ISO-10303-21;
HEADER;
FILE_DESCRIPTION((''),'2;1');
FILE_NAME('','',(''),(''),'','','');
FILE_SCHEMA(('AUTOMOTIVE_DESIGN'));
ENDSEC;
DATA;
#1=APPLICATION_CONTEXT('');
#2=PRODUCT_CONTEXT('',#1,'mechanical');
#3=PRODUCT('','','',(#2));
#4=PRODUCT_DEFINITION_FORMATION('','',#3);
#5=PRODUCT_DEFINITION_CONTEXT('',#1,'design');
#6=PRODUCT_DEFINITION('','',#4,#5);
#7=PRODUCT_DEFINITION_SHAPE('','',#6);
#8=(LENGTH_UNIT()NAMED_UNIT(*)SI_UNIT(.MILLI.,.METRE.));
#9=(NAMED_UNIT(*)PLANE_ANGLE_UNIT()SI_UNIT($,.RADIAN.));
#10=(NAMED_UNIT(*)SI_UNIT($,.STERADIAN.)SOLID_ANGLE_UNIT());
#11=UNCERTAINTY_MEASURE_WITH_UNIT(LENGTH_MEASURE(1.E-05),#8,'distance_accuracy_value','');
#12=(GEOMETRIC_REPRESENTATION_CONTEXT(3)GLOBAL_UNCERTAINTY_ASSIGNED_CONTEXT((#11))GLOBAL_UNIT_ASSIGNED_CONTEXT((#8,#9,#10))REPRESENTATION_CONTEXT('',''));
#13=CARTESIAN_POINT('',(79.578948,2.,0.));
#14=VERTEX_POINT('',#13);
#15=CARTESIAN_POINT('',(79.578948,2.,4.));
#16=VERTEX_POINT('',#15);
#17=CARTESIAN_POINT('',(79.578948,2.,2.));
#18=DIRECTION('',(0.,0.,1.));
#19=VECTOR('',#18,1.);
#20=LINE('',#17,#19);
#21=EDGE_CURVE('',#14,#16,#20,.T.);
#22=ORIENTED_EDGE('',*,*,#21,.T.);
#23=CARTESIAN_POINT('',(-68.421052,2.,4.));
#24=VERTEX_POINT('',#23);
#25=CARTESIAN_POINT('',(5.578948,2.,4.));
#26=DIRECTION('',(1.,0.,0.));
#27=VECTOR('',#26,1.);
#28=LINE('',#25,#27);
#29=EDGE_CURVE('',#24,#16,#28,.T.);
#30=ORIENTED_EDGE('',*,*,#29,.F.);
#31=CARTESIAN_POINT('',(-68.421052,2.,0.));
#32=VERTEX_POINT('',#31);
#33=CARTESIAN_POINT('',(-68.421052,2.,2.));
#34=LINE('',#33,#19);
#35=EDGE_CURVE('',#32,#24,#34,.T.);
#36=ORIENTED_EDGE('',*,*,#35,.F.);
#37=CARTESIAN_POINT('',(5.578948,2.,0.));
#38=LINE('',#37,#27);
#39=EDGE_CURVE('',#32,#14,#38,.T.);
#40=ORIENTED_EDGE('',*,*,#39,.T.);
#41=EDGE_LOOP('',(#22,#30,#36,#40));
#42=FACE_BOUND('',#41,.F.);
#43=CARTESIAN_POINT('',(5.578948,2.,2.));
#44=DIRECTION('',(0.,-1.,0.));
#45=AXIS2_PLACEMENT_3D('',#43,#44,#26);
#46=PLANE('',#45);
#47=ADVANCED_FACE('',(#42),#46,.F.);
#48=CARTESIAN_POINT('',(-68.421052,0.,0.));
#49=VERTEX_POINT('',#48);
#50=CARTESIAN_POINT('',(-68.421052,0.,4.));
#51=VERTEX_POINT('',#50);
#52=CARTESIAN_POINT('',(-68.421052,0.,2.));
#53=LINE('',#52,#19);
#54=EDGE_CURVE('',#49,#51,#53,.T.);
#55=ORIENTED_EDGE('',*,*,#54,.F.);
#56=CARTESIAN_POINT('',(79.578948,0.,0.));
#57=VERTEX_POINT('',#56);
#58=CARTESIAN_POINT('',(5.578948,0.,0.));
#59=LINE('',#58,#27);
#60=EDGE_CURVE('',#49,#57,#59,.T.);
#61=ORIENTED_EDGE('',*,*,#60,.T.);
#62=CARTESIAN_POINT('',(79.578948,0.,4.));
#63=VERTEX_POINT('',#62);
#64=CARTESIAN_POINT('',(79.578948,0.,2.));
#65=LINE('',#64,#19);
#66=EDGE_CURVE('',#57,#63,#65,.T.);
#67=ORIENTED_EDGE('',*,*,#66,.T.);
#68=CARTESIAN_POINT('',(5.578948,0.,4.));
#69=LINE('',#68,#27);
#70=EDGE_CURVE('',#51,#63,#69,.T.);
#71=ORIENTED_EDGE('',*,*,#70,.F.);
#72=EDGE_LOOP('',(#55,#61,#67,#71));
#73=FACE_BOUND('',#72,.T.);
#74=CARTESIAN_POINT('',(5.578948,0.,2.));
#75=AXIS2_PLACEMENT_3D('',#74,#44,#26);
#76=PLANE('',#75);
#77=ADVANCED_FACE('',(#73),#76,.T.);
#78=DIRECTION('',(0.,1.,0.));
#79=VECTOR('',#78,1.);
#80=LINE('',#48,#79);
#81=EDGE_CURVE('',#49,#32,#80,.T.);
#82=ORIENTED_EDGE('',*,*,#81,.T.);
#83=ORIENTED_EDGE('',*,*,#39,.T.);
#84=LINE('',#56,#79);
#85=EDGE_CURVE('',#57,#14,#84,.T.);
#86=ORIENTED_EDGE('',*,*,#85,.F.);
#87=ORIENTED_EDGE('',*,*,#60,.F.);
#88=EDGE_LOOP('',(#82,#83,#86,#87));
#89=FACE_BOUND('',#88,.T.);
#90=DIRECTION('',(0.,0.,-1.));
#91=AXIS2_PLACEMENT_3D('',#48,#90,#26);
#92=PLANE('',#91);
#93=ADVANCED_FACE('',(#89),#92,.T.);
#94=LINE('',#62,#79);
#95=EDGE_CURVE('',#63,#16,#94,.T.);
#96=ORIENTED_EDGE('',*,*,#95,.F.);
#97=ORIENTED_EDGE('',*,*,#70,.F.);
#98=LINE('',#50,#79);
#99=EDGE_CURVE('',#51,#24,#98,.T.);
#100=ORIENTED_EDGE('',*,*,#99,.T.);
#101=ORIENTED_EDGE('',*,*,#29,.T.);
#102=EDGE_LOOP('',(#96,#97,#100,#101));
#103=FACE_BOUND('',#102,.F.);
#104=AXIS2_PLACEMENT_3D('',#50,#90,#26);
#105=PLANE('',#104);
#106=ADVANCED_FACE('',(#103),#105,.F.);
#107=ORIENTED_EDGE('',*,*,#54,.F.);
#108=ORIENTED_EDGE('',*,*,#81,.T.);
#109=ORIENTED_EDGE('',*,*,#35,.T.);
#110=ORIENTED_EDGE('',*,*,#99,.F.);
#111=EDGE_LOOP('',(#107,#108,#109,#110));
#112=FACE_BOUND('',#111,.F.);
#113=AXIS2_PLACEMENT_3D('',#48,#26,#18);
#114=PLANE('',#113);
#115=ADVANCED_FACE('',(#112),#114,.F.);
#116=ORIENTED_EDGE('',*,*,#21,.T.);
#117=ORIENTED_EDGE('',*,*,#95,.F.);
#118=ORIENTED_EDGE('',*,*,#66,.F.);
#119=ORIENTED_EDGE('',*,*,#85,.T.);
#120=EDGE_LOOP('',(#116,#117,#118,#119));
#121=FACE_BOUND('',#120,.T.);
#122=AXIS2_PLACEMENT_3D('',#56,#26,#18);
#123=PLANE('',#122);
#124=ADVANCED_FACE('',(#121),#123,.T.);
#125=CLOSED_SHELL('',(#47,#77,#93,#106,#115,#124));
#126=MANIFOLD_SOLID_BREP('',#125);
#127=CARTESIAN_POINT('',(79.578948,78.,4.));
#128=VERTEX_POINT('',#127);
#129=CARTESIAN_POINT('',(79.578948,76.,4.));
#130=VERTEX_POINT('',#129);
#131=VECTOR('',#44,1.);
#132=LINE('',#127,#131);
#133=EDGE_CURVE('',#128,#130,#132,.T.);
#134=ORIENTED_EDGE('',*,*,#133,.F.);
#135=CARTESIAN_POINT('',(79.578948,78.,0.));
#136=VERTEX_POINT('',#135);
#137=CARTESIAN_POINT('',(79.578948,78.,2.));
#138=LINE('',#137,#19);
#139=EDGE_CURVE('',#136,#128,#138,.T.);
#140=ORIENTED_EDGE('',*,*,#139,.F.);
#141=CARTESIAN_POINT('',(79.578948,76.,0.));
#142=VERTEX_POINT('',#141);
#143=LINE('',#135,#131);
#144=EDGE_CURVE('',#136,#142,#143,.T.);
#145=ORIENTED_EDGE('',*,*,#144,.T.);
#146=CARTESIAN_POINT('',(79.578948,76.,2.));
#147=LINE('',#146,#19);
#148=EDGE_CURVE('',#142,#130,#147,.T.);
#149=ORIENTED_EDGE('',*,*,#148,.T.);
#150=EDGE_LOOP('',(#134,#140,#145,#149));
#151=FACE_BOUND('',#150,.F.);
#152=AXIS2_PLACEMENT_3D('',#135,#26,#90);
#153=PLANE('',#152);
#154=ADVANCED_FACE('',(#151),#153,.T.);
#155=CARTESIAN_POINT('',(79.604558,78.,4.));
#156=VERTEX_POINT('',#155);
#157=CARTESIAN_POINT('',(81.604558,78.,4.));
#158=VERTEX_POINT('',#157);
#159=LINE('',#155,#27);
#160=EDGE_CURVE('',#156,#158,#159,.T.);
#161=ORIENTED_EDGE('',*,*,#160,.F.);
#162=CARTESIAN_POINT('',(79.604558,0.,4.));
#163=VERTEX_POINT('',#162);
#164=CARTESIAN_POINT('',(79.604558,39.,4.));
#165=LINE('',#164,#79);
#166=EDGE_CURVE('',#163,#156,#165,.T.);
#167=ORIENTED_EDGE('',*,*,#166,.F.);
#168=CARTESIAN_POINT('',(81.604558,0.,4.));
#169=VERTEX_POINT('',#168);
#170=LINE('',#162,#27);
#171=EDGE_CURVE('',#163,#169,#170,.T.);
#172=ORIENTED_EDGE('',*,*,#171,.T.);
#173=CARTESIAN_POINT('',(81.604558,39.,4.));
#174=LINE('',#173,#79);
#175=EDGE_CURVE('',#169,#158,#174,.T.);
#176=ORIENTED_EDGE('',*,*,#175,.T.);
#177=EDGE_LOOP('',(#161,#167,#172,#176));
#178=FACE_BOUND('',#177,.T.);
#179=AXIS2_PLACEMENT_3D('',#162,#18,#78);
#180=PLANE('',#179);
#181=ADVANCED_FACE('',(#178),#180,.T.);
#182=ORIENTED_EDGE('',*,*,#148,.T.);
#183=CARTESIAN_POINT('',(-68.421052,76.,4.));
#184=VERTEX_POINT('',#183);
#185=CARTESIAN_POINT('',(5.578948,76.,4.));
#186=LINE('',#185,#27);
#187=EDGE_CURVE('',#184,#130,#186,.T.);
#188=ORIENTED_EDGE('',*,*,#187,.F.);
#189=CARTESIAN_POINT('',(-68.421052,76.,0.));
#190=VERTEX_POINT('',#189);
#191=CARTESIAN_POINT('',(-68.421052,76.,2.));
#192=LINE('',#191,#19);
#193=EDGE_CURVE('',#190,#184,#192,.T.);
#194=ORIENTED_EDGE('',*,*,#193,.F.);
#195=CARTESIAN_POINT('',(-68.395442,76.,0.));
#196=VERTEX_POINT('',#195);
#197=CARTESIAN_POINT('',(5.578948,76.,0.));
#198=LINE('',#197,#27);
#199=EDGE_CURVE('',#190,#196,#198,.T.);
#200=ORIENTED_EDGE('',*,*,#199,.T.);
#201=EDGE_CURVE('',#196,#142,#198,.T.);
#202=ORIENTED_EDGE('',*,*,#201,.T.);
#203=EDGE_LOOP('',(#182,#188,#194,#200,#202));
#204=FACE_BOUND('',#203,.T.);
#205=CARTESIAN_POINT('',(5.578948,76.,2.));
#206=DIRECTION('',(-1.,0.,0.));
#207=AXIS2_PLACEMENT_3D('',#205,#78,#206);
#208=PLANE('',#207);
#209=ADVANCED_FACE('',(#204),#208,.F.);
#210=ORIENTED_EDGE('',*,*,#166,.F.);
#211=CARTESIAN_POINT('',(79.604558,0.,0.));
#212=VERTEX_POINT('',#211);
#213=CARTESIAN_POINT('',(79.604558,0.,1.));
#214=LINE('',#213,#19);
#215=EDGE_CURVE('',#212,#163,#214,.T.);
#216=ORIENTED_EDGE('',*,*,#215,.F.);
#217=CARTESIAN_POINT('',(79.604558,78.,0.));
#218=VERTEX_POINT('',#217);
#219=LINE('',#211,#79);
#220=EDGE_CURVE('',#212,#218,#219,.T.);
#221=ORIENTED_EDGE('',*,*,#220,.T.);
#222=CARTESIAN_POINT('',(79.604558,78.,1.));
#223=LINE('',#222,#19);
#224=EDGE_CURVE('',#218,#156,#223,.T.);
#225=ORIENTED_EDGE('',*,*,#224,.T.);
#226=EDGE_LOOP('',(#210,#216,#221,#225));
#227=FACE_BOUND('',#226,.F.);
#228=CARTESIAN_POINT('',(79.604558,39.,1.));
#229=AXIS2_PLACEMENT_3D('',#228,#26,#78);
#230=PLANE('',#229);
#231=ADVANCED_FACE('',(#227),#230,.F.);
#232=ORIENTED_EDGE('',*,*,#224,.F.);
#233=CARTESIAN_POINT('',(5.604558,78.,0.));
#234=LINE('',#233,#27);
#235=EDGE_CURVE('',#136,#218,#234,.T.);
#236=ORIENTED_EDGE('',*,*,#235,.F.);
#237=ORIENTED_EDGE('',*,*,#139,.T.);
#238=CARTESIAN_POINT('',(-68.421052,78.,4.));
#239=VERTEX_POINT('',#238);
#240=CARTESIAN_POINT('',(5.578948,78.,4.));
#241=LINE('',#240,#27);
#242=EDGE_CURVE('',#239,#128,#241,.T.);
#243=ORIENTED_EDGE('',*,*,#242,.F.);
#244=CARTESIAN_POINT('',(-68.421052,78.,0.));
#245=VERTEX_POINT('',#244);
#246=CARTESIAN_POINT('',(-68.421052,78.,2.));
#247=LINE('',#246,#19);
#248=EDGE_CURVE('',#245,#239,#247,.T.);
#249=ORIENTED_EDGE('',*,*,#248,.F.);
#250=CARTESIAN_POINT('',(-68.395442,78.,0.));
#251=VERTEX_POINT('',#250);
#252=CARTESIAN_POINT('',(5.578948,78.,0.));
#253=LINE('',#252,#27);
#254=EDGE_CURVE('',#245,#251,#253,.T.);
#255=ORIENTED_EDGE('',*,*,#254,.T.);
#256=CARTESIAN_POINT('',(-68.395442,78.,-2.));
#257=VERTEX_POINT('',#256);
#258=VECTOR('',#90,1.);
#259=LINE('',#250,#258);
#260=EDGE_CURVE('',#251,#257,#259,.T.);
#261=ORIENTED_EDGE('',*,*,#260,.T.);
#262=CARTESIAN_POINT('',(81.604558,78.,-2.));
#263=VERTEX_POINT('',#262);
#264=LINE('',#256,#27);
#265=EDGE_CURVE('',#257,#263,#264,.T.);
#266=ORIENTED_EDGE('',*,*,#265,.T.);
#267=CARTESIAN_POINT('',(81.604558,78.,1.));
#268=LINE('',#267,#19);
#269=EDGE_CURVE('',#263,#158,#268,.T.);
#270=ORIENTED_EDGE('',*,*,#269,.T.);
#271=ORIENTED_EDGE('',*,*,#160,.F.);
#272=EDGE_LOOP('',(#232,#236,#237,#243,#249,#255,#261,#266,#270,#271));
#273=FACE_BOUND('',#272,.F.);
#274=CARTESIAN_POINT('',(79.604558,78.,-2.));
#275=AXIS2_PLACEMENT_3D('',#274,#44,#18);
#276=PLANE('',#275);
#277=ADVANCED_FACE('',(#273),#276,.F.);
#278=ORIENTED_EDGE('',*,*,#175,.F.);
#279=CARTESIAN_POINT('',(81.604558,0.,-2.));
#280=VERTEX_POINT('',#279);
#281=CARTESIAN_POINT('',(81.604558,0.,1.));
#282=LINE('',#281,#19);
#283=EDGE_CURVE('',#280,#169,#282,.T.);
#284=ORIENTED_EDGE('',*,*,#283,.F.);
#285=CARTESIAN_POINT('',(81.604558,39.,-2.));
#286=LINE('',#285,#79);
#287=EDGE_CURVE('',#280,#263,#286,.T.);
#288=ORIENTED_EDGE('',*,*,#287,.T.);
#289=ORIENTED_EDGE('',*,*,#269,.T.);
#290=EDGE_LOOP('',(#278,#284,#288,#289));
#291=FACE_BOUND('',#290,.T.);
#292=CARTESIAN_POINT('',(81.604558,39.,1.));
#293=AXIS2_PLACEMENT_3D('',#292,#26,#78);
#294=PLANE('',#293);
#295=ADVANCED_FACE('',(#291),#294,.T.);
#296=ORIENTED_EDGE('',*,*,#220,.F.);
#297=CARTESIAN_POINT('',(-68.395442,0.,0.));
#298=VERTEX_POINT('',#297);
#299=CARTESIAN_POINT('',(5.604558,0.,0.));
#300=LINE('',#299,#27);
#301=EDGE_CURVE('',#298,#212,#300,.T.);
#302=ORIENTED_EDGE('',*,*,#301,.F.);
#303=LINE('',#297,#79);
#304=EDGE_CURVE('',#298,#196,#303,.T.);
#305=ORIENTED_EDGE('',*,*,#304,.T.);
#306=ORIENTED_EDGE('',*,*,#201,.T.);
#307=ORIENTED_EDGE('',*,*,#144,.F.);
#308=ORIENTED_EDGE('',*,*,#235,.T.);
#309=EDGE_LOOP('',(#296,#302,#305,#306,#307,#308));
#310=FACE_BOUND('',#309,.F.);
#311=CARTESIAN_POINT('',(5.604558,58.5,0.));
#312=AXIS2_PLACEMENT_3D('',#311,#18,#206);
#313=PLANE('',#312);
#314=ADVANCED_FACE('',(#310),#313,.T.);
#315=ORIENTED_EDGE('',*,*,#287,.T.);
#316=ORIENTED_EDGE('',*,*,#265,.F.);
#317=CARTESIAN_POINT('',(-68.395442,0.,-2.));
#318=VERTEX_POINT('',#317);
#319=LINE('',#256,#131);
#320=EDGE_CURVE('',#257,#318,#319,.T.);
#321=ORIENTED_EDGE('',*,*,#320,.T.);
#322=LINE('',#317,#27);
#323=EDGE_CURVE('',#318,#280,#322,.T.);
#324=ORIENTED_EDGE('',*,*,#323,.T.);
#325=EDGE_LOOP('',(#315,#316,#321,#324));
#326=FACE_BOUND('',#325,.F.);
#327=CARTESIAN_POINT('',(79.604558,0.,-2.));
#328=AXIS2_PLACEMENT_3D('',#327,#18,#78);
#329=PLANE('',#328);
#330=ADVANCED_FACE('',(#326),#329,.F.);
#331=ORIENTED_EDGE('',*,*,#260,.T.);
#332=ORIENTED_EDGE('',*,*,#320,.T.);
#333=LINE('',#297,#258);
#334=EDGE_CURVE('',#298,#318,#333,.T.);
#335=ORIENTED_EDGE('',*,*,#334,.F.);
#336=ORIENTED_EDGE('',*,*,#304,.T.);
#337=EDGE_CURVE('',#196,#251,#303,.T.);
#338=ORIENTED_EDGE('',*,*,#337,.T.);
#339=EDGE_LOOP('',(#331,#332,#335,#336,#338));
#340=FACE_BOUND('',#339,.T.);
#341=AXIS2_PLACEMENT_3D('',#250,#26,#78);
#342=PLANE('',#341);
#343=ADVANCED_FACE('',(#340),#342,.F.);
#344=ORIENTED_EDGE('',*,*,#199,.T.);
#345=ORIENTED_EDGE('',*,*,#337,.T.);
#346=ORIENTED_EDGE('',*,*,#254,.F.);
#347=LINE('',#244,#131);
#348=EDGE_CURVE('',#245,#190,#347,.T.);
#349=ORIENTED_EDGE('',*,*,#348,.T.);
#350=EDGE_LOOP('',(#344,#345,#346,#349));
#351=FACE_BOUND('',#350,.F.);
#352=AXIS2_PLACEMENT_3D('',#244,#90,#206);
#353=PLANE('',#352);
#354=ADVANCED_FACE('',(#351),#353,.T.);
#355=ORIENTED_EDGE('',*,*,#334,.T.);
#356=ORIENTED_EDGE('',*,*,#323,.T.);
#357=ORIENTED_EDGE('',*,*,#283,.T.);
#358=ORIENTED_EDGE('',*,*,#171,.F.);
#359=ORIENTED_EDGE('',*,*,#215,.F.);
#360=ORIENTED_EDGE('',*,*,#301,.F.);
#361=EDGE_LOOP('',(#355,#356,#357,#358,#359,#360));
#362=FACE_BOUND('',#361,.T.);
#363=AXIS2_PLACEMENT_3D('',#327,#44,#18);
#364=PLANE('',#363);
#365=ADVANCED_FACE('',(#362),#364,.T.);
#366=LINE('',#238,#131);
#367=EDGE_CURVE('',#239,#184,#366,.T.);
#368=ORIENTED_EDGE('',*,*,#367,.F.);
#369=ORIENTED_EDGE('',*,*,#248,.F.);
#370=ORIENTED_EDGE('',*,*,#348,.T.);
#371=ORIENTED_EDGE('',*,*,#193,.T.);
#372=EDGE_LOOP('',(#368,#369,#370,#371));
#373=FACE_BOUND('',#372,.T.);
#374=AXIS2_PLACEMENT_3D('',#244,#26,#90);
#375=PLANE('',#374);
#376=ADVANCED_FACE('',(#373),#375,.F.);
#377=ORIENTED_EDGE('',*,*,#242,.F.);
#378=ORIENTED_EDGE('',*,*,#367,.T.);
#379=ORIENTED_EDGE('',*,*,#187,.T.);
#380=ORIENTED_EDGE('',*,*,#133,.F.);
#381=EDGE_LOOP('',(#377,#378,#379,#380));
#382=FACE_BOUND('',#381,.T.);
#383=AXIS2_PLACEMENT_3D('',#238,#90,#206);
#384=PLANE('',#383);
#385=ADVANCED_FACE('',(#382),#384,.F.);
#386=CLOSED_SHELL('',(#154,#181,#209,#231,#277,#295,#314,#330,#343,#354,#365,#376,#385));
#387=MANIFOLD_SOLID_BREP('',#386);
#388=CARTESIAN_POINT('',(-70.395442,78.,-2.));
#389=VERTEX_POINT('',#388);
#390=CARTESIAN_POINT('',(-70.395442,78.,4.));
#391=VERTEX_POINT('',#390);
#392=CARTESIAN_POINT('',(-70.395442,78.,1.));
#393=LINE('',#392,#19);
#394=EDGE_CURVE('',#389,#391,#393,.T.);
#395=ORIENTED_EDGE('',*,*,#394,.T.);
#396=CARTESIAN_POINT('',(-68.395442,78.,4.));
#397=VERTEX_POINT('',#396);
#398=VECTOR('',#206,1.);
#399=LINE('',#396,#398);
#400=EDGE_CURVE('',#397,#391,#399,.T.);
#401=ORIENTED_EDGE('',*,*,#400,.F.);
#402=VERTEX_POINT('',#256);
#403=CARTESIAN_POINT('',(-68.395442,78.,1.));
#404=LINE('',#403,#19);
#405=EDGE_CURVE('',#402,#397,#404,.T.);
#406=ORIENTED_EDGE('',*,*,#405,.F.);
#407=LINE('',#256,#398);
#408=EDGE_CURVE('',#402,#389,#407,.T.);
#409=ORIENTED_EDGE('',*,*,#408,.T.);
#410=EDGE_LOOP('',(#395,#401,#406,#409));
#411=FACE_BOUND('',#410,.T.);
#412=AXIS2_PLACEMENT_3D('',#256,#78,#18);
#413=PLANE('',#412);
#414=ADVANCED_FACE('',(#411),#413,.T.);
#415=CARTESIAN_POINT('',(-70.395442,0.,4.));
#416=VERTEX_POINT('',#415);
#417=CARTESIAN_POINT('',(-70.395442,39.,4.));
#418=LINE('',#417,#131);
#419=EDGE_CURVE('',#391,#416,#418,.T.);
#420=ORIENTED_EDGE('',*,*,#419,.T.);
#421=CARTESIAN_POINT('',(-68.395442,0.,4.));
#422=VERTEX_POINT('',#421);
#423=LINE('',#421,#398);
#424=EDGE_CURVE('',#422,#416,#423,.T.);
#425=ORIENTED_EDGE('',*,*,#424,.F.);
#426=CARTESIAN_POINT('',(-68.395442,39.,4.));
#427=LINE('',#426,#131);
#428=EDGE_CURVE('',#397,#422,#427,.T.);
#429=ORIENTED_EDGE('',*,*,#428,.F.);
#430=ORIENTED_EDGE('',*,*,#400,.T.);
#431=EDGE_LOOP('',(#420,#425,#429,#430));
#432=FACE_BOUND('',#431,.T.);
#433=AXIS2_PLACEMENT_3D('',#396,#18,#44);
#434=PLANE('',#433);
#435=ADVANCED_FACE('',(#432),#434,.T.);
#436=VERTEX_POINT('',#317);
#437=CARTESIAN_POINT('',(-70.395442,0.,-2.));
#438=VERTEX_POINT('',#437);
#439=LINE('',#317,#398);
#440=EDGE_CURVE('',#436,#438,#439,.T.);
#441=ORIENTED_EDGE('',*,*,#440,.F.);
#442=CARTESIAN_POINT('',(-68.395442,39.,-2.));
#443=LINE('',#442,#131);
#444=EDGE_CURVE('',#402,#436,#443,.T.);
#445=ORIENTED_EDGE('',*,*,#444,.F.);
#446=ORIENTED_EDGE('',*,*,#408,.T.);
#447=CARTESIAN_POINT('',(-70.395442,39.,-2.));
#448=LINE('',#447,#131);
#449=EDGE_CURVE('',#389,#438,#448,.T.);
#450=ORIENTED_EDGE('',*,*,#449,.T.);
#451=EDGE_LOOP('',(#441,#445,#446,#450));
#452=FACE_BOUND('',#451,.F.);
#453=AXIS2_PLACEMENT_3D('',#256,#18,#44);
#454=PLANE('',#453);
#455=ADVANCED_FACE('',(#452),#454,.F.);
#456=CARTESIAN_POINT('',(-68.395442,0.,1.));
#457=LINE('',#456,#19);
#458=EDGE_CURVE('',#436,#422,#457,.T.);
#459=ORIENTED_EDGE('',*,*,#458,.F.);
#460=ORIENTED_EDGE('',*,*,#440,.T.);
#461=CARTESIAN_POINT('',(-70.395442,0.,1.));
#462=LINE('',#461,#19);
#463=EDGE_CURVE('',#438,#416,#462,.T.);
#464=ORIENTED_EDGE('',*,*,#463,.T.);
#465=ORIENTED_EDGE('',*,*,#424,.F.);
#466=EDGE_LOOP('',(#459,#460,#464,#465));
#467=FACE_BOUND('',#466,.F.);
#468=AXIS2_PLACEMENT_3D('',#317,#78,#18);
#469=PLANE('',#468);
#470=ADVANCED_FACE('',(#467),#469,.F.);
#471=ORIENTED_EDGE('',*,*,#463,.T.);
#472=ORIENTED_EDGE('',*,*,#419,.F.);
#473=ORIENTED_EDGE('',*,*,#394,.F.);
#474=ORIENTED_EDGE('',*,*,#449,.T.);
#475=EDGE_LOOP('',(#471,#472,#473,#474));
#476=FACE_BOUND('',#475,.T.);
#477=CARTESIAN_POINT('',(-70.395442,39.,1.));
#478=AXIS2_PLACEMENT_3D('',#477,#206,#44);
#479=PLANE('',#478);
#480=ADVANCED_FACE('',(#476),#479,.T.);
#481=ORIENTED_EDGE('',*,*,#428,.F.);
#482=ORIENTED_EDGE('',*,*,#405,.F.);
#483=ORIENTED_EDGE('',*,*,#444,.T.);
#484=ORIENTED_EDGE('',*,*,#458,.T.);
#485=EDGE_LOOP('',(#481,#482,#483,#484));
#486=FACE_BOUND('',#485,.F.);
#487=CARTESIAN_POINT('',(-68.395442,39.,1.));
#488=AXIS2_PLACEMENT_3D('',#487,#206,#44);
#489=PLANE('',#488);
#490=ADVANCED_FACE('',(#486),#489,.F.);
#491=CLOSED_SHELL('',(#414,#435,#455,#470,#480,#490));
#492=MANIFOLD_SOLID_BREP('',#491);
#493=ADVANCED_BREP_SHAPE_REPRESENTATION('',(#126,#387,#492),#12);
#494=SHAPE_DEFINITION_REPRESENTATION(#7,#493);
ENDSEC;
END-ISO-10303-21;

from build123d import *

# Parameters (mm, degrees)
F0_W     = 148
F0_H     = 4
F2_DEPTH = 2
F1_W     = 148
F1_H     = 39
F3_DEPTH = 2
F5_W     = 78
F5_H     = 6
F6_DEPTH = 2
F7_W     = 78
F7_H     = 6
F8_DEPTH = 2


with BuildPart() as f2:
    # F0 (on Front) → F2 (new body)
    with BuildSketch(Plane.XZ):
        with Locations((5.578948, 2)):
            Rectangle(F0_W, F0_H)
    extrude(amount=-F2_DEPTH)


with BuildPart() as f3:
    # F1 (on Top) → F3 (new body)
    with BuildSketch(Plane.XY):
        with Locations((5.604558, 19.5)):
            Rectangle(F1_W, F1_H)
    extrude(amount=-F3_DEPTH)

    # F4: F3, F2 across face


with BuildPart() as f3_1:
    add(f3.part)
    add(f3.part.mirror(Plane(origin=(5.604558, 39, -1), x_dir=(-1, 0, 0), z_dir=(0, 1, 0))))
    add(f2.part.mirror(Plane(origin=(5.604558, 39, -1), x_dir=(-1, 0, 0), z_dir=(0, 1, 0))))

    # F7 (on face) → F8 (join)
    with BuildSketch(Plane.YZ.offset(79.604558)):
        with Locations((39, 1)):
            Rectangle(F7_W, F7_H)
    extrude(amount=F8_DEPTH)


with BuildPart() as f6:
    # F5 (on face) → F6 (new body)
    with BuildSketch(Plane(origin=(-68.395442, 0, 0), x_dir=(0, -1, 0), z_dir=(-1, 0, 0))):
        with Locations((-39, 1)):
            Rectangle(F5_W, F5_H)
    extrude(amount=F6_DEPTH)


solid = Compound([f2.part, f3_1.part, f6.part])
